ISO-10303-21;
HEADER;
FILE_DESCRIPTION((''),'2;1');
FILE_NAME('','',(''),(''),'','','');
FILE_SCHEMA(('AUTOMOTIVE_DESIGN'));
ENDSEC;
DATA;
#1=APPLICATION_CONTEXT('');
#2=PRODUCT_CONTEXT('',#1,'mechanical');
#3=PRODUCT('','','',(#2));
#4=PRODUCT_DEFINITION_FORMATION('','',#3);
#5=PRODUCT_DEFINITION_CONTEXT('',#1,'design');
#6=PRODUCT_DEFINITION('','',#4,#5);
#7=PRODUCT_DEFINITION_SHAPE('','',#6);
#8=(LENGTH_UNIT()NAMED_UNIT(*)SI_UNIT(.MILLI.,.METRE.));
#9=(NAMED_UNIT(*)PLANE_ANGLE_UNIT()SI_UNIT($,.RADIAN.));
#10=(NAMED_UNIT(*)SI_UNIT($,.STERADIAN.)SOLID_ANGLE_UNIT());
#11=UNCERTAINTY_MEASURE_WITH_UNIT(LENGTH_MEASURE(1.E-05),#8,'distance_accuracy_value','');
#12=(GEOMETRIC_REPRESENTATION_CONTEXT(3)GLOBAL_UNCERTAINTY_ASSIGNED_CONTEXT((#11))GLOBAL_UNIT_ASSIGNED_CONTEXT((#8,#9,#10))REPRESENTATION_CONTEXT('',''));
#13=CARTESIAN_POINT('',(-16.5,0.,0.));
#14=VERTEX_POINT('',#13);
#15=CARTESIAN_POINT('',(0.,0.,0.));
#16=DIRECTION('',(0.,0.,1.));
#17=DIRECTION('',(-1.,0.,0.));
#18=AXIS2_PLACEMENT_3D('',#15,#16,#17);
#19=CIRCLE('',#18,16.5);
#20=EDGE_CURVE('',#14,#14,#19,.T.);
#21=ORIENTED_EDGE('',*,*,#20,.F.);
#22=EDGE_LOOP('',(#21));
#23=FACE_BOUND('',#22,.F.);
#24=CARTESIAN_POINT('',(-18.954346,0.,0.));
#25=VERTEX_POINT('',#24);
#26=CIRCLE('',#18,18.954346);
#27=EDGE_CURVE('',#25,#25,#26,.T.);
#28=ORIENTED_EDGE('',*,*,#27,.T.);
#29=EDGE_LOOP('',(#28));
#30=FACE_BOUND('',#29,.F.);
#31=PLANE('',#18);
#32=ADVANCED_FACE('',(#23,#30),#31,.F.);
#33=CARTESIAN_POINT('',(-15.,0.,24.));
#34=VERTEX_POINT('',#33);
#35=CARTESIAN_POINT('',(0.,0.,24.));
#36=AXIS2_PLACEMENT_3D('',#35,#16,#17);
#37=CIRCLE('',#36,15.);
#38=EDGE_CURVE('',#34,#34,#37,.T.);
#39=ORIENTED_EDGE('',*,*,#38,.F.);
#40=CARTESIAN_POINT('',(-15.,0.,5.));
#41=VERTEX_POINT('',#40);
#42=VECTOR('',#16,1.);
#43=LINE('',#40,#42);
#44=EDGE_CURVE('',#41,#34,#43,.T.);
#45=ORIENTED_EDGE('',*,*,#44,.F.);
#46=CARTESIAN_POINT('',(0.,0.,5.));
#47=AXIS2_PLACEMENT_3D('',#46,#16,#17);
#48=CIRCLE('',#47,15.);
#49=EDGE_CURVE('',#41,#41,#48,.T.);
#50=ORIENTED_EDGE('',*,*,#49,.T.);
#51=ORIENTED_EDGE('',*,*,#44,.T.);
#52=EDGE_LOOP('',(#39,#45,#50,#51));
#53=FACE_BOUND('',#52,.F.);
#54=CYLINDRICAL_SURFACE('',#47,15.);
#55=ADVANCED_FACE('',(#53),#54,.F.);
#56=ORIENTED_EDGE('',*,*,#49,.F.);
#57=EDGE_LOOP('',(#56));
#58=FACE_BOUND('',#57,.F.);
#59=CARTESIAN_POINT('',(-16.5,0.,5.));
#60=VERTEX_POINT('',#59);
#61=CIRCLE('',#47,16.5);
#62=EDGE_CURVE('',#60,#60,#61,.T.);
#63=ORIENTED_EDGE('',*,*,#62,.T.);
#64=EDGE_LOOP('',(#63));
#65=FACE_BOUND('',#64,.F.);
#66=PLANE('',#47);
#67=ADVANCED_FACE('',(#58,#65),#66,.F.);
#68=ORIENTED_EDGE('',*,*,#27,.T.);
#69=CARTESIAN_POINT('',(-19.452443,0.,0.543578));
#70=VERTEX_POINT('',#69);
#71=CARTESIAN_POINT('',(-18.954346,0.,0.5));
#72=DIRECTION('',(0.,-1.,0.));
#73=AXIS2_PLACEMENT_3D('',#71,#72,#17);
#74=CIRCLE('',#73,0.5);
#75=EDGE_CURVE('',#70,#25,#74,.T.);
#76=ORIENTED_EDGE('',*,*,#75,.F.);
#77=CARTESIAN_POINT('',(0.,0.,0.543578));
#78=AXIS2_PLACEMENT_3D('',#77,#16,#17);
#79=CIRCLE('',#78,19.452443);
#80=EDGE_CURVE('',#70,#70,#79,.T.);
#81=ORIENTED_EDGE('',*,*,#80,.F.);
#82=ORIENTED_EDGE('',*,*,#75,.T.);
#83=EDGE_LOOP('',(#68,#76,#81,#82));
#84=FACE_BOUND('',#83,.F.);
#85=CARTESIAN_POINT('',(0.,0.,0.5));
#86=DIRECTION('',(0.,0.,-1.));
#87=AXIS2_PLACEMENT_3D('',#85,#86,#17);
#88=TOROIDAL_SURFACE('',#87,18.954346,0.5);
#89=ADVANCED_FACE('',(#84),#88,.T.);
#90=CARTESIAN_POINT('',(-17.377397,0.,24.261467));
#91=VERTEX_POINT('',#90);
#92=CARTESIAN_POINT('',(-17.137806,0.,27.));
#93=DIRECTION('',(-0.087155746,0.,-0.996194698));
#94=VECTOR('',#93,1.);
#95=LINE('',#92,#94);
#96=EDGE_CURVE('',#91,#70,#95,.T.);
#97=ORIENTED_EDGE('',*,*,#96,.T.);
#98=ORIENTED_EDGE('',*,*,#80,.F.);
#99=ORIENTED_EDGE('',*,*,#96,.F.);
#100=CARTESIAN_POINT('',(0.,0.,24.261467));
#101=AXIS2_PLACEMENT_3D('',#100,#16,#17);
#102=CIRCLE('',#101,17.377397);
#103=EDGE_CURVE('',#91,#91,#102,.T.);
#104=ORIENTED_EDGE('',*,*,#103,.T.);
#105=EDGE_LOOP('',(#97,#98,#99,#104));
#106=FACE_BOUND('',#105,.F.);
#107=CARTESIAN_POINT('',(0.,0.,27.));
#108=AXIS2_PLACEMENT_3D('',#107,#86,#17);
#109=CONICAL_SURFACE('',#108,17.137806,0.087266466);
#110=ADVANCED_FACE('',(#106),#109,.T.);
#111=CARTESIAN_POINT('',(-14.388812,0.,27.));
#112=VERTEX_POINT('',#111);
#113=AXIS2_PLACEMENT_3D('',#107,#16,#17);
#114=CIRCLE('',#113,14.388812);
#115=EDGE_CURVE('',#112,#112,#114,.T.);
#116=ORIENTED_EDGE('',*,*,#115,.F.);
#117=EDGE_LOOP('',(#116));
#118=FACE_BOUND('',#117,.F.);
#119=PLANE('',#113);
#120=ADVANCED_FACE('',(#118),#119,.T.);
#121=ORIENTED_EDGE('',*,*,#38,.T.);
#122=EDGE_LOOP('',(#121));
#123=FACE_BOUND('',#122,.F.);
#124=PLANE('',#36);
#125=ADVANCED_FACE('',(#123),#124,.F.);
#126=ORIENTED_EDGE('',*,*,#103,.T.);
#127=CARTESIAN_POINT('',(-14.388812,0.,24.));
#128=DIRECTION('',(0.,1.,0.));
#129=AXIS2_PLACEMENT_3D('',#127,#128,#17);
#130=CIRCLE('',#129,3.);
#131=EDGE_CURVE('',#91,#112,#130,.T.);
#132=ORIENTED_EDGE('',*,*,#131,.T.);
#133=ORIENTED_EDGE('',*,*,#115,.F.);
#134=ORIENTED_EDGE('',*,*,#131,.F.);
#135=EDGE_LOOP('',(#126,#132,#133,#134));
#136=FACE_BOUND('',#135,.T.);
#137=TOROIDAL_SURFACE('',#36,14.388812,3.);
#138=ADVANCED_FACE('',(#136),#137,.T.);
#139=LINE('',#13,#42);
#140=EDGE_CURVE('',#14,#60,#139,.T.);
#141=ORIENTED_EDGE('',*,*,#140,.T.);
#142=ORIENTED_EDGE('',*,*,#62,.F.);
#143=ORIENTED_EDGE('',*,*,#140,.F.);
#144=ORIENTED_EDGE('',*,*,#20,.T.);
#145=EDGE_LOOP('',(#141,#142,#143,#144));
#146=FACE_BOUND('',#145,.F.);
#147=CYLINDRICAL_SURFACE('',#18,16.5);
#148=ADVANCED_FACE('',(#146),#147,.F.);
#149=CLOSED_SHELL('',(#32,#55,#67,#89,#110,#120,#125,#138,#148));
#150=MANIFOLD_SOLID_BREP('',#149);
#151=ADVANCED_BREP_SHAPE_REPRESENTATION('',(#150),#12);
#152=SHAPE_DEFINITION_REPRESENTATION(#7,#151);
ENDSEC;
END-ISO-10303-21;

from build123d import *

# Parameters (mm, degrees)
F2_R = 3
F3_R = 0.5


with BuildPart() as f1:
    # F0 (on Front) → F1 (revolve)
    with BuildSketch(Plane.XZ):
        Polygon((-17.137806, 27), (-19.5, 0), (-16.5, 0), (-16.5, 5), (-15, 5), (-15, 24), (0, 24), (0, 27), align=None)
    revolve(axis=Axis((0, 0, 19.736372), (0, 0, 1)))

    # F2
    f2_edges = [f1.edges().sort_by_distance(p)[0] for p in [
        (17.137806, 0, 27),
    ]]
    fillet(f2_edges, radius=F2_R)

    # F3
    f3_edges = [f1.edges().sort_by_distance(p)[0] for p in [
        (19.5, 0, 0),
    ]]
    fillet(f3_edges, radius=F3_R)


solid = f1.part
